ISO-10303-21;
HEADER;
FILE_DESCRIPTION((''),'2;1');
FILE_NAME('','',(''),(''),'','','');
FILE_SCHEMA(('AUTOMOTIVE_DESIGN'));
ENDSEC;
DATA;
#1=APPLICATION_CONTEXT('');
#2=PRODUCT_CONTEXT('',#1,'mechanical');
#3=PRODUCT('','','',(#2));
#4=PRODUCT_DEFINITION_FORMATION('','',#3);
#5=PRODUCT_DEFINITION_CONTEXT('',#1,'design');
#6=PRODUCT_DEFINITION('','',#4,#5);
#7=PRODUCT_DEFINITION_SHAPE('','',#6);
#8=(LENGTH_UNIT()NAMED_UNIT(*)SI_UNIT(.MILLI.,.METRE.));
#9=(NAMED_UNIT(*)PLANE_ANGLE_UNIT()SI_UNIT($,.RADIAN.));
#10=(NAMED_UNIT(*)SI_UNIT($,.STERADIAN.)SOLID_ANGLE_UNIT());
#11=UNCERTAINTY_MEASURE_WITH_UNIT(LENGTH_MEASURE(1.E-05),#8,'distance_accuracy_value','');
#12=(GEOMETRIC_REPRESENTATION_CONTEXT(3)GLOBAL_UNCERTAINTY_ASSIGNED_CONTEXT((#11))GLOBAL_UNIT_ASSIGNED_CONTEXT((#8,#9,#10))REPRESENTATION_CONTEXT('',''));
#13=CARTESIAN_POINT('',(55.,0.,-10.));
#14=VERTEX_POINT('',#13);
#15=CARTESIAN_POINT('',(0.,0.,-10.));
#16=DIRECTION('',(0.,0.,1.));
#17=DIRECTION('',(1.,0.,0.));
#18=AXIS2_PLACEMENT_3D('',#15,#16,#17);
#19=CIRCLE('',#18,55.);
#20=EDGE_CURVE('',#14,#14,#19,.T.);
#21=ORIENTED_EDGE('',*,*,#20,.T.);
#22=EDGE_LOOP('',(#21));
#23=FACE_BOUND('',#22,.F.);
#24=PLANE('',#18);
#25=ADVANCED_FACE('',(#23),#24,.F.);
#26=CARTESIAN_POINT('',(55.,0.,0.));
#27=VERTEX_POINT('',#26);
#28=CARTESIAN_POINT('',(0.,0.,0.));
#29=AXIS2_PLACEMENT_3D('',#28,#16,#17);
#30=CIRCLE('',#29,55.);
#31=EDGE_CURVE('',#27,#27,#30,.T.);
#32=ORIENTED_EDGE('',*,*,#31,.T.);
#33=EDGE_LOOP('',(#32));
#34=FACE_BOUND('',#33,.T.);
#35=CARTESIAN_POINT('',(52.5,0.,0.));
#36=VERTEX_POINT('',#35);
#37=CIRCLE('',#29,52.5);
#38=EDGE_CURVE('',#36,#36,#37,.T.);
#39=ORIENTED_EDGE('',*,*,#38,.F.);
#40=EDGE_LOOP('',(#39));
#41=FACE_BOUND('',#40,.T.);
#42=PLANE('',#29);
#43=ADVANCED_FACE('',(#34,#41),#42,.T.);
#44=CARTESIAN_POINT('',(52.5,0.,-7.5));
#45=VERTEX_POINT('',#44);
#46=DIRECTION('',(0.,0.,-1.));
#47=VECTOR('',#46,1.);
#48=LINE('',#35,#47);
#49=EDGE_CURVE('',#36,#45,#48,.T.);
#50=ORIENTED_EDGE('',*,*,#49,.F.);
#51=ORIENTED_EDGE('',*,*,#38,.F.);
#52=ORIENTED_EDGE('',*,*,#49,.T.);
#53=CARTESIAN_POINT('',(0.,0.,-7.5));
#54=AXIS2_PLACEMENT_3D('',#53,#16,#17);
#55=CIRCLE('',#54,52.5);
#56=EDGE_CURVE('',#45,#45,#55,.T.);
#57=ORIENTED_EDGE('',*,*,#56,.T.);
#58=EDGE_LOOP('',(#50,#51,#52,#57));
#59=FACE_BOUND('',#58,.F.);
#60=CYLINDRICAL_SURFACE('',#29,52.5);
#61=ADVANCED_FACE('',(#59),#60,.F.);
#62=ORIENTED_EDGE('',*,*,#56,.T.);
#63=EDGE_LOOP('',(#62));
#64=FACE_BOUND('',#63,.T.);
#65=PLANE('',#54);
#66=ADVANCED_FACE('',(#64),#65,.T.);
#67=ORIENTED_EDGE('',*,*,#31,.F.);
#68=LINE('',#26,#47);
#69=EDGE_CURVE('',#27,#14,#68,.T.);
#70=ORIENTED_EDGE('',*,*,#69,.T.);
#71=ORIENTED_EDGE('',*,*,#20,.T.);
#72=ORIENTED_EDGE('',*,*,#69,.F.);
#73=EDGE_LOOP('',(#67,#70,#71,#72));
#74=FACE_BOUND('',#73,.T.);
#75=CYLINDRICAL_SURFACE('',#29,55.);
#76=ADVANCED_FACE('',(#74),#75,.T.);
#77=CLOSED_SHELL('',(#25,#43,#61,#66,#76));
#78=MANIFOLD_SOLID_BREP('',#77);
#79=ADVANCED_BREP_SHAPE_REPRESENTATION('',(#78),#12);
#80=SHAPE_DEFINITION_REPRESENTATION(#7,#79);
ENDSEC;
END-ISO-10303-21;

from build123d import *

# Parameters (mm, degrees)
F0_R     = 55
F1_DEPTH = 10
F2_T     = -2.5


with BuildPart() as f1:
    # F0 (on Top) → F1 (new body)
    with BuildSketch(Plane.XY):
        Circle(F0_R)
    extrude(amount=-F1_DEPTH)

    # F2
    f2_openings = [f1.faces().sort_by_distance(p)[0] for p in [
        (0, 0, 0),
    ]]
    offset(amount=F2_T, openings=f2_openings)


solid = f1.part
